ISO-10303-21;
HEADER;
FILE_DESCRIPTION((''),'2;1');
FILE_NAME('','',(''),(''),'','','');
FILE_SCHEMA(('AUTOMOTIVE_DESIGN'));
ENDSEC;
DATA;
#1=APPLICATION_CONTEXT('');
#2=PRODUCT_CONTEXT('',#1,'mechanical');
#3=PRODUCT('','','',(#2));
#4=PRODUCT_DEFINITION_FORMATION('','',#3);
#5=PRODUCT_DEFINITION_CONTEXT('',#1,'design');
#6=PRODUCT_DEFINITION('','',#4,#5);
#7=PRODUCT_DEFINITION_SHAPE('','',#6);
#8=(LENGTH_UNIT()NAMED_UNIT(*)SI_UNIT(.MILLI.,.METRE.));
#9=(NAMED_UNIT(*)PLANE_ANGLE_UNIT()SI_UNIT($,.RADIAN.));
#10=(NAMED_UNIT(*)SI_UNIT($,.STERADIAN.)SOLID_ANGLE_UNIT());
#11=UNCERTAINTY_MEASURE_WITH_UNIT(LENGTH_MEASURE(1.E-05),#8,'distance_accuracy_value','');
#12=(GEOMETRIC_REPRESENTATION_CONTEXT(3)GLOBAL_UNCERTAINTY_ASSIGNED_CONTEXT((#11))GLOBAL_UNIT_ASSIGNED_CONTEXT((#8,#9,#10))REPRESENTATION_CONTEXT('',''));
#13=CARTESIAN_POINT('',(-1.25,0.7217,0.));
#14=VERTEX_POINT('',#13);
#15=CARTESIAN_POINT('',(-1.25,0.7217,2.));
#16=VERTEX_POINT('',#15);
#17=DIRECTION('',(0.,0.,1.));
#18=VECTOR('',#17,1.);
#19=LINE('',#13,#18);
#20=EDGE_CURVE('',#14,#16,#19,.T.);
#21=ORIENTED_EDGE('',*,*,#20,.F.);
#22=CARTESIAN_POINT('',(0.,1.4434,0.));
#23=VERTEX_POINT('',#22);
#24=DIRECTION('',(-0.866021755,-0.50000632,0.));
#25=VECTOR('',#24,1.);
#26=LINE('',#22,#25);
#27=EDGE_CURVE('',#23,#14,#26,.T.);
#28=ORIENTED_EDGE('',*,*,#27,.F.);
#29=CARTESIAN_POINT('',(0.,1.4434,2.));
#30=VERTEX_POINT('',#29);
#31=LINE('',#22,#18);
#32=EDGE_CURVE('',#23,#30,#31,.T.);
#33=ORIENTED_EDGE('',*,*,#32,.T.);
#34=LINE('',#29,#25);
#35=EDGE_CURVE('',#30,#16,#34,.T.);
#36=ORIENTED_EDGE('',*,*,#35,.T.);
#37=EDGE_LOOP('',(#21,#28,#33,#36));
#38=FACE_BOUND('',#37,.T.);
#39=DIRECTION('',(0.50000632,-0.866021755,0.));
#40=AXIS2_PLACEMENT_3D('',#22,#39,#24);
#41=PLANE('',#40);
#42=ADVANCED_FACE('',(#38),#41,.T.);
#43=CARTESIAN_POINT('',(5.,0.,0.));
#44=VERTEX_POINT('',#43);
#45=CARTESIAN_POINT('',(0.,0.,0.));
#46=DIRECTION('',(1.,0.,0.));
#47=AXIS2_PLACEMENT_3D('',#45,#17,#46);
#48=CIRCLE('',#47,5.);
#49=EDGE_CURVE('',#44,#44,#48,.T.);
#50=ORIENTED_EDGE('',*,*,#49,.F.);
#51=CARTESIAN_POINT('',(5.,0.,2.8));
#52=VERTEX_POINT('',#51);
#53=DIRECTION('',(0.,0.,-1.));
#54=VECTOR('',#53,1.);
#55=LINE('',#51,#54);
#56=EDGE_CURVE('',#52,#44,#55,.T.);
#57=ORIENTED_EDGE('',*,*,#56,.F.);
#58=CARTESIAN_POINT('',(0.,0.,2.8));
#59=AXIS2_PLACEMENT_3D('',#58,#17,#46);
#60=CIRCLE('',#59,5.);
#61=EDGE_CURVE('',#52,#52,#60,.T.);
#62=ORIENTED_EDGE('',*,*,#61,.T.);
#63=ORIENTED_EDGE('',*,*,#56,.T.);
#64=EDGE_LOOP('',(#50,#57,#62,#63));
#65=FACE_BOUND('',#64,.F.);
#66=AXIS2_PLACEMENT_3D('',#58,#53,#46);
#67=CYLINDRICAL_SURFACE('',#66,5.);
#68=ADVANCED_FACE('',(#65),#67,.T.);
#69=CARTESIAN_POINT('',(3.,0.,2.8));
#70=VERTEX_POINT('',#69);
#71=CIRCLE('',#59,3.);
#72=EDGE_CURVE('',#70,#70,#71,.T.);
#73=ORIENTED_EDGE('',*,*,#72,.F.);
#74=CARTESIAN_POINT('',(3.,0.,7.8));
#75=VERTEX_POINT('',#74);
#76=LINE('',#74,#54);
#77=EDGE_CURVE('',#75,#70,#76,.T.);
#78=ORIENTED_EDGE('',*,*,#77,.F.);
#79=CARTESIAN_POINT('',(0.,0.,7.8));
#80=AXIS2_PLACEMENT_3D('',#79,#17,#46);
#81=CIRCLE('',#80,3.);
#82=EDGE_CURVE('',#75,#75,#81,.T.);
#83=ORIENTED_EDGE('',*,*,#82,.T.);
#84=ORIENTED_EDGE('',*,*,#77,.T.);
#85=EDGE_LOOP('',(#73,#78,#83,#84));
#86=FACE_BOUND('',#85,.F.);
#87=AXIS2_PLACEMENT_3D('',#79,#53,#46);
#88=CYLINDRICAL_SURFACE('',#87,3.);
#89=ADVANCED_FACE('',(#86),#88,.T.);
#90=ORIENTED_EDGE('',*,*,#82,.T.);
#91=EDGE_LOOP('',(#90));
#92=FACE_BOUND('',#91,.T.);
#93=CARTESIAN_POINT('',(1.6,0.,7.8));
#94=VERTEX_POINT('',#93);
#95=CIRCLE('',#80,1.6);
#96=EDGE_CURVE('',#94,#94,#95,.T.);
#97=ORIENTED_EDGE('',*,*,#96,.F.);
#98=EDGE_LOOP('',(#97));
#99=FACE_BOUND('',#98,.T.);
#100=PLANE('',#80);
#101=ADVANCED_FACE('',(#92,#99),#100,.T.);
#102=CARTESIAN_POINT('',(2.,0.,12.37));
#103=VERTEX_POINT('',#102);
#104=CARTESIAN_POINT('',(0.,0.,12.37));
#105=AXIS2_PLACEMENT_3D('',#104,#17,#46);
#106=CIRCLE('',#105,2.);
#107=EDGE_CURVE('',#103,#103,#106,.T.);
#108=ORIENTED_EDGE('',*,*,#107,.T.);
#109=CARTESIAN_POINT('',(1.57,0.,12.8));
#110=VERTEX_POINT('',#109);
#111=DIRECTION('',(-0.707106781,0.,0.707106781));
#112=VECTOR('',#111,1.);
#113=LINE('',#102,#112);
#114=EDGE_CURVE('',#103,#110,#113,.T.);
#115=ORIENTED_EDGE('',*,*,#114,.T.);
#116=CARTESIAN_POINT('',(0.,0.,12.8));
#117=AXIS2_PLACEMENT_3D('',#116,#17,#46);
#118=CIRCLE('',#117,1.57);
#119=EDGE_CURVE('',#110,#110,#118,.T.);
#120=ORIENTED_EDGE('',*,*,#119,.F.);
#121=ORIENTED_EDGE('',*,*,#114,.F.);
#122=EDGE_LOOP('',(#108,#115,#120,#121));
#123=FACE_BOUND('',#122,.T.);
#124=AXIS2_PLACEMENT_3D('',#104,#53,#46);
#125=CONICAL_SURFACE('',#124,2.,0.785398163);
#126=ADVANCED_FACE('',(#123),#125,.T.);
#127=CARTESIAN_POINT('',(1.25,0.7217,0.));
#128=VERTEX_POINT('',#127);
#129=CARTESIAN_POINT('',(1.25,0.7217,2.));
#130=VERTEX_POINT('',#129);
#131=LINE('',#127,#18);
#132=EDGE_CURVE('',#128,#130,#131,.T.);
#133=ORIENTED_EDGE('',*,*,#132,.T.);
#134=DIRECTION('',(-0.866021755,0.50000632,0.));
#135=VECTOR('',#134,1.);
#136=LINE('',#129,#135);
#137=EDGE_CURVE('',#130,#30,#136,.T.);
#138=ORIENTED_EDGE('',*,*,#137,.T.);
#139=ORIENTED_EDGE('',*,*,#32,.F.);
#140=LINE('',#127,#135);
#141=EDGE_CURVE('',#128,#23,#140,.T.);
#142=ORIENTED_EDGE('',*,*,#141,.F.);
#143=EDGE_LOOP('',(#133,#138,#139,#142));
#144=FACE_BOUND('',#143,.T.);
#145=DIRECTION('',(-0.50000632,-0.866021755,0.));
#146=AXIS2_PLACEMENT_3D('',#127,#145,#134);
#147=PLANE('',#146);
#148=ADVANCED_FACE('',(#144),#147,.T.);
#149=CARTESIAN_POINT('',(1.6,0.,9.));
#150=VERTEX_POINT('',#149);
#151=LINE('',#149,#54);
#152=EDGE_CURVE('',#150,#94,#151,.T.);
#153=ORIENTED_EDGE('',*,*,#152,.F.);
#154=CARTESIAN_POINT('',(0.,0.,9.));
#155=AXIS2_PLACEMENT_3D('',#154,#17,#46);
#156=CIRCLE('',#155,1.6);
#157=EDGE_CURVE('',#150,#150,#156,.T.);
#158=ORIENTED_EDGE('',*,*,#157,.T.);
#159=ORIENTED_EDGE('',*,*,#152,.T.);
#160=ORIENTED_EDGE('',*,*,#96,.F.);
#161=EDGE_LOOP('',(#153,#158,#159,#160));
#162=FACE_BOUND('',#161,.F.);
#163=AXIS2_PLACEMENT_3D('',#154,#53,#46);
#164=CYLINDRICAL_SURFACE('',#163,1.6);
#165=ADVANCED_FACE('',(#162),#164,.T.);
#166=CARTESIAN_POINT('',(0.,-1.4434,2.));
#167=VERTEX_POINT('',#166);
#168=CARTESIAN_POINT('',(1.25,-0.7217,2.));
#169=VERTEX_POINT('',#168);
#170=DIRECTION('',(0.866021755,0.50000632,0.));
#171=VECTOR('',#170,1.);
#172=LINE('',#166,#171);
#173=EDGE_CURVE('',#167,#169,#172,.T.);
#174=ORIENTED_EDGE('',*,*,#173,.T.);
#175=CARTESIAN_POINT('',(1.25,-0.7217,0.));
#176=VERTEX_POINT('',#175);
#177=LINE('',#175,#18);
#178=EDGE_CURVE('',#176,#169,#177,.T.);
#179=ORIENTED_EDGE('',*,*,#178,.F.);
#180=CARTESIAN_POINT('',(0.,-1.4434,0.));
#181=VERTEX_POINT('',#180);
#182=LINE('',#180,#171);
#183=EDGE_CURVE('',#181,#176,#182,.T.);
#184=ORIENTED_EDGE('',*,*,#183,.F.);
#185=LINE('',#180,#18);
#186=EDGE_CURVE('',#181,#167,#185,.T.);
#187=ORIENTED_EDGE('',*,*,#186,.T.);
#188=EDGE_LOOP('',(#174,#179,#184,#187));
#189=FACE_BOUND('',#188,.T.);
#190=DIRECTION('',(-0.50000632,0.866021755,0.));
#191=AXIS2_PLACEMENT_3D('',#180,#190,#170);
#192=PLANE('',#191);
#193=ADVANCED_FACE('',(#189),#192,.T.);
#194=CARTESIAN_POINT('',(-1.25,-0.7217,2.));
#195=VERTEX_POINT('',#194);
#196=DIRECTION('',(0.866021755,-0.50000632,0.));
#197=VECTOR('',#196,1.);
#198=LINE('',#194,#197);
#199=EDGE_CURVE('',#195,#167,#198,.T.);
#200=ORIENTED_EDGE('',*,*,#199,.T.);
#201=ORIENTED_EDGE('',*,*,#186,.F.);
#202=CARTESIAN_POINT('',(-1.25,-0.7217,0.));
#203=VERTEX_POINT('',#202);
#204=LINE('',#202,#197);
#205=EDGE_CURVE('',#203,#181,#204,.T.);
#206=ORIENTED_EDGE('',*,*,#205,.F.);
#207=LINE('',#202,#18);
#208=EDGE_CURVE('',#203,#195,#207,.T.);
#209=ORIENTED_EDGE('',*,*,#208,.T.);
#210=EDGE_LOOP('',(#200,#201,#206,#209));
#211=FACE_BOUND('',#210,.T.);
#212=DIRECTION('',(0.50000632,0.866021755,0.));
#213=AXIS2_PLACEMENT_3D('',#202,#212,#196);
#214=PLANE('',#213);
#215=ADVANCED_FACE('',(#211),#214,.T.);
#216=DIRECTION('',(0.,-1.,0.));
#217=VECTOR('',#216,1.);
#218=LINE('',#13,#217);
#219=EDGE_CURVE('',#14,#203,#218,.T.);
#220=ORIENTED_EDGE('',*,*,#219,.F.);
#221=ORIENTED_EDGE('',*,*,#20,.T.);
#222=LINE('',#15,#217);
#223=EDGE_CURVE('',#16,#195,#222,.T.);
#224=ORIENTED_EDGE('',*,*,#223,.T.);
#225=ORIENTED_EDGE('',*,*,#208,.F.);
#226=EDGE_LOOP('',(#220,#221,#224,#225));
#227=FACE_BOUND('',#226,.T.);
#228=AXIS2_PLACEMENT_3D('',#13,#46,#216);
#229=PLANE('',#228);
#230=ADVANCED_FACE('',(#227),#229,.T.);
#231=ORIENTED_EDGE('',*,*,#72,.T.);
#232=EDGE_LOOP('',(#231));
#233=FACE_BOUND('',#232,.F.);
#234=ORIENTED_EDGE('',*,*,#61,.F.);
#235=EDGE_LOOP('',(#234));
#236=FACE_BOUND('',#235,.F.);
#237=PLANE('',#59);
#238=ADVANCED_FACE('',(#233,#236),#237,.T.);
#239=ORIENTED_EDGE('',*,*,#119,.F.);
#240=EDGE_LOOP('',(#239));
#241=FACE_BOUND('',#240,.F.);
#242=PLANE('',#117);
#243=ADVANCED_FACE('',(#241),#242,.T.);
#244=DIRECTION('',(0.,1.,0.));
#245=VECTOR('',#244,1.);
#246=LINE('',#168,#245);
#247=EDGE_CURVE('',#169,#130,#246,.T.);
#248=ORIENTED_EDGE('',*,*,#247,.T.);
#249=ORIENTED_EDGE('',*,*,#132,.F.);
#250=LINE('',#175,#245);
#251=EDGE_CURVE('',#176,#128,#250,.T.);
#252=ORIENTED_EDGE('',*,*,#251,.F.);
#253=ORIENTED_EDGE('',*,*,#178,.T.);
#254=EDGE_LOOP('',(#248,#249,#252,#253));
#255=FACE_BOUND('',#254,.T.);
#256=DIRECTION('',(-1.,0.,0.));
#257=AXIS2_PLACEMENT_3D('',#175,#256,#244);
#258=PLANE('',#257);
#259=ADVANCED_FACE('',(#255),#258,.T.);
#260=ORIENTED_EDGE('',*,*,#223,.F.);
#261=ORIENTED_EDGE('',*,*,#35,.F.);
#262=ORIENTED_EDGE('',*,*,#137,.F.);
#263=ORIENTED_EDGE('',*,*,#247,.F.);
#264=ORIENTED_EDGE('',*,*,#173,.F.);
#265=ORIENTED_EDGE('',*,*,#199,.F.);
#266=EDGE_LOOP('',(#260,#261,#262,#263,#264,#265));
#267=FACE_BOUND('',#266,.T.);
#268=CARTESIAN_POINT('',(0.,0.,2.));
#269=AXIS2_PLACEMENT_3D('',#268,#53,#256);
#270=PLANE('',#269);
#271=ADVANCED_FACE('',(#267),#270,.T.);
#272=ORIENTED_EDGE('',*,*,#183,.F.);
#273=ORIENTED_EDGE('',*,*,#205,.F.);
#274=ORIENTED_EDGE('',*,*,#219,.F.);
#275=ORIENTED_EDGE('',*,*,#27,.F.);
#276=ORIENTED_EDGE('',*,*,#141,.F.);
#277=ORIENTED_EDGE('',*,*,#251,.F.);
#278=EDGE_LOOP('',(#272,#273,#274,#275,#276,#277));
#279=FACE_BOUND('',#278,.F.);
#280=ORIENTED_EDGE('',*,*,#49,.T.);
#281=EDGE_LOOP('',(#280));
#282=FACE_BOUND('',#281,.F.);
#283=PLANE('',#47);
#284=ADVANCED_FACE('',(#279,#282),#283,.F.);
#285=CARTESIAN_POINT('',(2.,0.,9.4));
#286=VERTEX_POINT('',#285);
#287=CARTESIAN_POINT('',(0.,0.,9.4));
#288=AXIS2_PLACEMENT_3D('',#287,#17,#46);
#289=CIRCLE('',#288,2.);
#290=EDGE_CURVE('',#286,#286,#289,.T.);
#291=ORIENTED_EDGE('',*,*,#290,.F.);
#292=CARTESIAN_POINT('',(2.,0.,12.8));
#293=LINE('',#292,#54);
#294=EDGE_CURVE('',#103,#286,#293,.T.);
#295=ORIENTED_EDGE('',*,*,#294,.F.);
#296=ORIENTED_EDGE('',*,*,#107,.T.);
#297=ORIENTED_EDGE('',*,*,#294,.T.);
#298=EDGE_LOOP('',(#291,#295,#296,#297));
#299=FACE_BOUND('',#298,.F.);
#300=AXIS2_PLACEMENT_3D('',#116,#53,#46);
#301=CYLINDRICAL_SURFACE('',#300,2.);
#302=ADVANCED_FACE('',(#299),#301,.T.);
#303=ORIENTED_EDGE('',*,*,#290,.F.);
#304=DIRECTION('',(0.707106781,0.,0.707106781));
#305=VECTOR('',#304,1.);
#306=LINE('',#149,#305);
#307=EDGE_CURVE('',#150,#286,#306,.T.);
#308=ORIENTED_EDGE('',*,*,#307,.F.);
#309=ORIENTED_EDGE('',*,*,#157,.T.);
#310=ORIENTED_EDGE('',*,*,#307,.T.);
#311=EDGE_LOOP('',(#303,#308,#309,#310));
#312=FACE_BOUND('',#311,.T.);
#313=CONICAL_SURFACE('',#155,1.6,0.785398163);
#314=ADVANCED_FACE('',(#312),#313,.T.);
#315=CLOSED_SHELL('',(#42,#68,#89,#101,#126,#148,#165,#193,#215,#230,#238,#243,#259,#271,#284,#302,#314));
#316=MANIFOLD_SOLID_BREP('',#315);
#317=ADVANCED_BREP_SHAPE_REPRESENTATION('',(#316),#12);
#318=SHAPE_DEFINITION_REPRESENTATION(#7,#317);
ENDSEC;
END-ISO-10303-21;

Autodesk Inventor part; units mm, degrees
ref_plane "YZ Plane" through (0, 0, 0) normal (1, 0, 0) x (0, 1, 0)
ref_plane "XZ Plane" through (0, 0, 0) normal (0, 1, 0) x (-1, 0, 0)
ref_plane "XY Plane" through (0, 0, 0) normal (0, 0, 1) x (1, 0, 0)
sketch "Sketch1" plane through (0, 0, 0) normal (0, 1, 0) x (-1, 0, 0)
  line L0 (0, 0) -> (0, 12.8)
  line L1 (0, 12.8) -> (-2, 12.8)
  line L2 (-2, 12.8) -> (-2, 9.4)
  line L3 (-3, 7.8) -> (-3, 2.8)
  line L4 (-3, 2.8) -> (-5, 2.8)
  line L5 (-5, 2.8) -> (-5, 0)
  line L6 (-5, 0) -> (0, 0)
  line L7 (-1.6, 9) -> (-1.6, 7.8)
  line L8 (-3, 7.8) -> (-1.6, 7.8)
  line L9 (-1.6, 9) -> (-2, 9.4)
  dimension "d0" = 10
  dimension "d1" = 6
  dimension "d2" = 4
  dimension "d4" = 5
  dimension "d5" = 2.8
  dimension "d15" = 5
  dimension "d16" = 3.2
  dimension "d17" = 1.2
  dimension "d18" = 45
revolve "Revolution1" add sketch "Sketch1" angle 360 about axis through (0, 0, 0) along (0, 0, 1)
thread "Thread1" size "M4x0.7" class "6g" standard "ANSI Metric M Profile" length 6
sketch "Sketch2" plane through (0, 0, 0) normal (0, 0, -1) x (-1, 0, 0)
  line L0 (0, 1.4434) -> (1.25, 0.7217)
  line L1 (1.25, 0.7217) -> (1.25, -0.7217)
  line L2 (1.25, -0.7217) -> (0, -1.4434)
  line L3 (0, -1.4434) -> (-1.25, -0.7217)
  line L4 (-1.25, -0.7217) -> (-1.25, 0.7217)
  line L5 (-1.25, 0.7217) -> (0, 1.4434)
  point P0 (0, 0)
  point P1 (0, 0)
  dimension "d9" = 2.5
extrude "Extrusion1" cut sketch "Sketch2" against normal blind 2
chamfer "Chamfer1" distance 0.43 angle 45 1 edges at (-2, 0, 12.8)
properties part number "DBTSY4-5-5-DHC-PC" material "Stainless Steel AISI 304"
